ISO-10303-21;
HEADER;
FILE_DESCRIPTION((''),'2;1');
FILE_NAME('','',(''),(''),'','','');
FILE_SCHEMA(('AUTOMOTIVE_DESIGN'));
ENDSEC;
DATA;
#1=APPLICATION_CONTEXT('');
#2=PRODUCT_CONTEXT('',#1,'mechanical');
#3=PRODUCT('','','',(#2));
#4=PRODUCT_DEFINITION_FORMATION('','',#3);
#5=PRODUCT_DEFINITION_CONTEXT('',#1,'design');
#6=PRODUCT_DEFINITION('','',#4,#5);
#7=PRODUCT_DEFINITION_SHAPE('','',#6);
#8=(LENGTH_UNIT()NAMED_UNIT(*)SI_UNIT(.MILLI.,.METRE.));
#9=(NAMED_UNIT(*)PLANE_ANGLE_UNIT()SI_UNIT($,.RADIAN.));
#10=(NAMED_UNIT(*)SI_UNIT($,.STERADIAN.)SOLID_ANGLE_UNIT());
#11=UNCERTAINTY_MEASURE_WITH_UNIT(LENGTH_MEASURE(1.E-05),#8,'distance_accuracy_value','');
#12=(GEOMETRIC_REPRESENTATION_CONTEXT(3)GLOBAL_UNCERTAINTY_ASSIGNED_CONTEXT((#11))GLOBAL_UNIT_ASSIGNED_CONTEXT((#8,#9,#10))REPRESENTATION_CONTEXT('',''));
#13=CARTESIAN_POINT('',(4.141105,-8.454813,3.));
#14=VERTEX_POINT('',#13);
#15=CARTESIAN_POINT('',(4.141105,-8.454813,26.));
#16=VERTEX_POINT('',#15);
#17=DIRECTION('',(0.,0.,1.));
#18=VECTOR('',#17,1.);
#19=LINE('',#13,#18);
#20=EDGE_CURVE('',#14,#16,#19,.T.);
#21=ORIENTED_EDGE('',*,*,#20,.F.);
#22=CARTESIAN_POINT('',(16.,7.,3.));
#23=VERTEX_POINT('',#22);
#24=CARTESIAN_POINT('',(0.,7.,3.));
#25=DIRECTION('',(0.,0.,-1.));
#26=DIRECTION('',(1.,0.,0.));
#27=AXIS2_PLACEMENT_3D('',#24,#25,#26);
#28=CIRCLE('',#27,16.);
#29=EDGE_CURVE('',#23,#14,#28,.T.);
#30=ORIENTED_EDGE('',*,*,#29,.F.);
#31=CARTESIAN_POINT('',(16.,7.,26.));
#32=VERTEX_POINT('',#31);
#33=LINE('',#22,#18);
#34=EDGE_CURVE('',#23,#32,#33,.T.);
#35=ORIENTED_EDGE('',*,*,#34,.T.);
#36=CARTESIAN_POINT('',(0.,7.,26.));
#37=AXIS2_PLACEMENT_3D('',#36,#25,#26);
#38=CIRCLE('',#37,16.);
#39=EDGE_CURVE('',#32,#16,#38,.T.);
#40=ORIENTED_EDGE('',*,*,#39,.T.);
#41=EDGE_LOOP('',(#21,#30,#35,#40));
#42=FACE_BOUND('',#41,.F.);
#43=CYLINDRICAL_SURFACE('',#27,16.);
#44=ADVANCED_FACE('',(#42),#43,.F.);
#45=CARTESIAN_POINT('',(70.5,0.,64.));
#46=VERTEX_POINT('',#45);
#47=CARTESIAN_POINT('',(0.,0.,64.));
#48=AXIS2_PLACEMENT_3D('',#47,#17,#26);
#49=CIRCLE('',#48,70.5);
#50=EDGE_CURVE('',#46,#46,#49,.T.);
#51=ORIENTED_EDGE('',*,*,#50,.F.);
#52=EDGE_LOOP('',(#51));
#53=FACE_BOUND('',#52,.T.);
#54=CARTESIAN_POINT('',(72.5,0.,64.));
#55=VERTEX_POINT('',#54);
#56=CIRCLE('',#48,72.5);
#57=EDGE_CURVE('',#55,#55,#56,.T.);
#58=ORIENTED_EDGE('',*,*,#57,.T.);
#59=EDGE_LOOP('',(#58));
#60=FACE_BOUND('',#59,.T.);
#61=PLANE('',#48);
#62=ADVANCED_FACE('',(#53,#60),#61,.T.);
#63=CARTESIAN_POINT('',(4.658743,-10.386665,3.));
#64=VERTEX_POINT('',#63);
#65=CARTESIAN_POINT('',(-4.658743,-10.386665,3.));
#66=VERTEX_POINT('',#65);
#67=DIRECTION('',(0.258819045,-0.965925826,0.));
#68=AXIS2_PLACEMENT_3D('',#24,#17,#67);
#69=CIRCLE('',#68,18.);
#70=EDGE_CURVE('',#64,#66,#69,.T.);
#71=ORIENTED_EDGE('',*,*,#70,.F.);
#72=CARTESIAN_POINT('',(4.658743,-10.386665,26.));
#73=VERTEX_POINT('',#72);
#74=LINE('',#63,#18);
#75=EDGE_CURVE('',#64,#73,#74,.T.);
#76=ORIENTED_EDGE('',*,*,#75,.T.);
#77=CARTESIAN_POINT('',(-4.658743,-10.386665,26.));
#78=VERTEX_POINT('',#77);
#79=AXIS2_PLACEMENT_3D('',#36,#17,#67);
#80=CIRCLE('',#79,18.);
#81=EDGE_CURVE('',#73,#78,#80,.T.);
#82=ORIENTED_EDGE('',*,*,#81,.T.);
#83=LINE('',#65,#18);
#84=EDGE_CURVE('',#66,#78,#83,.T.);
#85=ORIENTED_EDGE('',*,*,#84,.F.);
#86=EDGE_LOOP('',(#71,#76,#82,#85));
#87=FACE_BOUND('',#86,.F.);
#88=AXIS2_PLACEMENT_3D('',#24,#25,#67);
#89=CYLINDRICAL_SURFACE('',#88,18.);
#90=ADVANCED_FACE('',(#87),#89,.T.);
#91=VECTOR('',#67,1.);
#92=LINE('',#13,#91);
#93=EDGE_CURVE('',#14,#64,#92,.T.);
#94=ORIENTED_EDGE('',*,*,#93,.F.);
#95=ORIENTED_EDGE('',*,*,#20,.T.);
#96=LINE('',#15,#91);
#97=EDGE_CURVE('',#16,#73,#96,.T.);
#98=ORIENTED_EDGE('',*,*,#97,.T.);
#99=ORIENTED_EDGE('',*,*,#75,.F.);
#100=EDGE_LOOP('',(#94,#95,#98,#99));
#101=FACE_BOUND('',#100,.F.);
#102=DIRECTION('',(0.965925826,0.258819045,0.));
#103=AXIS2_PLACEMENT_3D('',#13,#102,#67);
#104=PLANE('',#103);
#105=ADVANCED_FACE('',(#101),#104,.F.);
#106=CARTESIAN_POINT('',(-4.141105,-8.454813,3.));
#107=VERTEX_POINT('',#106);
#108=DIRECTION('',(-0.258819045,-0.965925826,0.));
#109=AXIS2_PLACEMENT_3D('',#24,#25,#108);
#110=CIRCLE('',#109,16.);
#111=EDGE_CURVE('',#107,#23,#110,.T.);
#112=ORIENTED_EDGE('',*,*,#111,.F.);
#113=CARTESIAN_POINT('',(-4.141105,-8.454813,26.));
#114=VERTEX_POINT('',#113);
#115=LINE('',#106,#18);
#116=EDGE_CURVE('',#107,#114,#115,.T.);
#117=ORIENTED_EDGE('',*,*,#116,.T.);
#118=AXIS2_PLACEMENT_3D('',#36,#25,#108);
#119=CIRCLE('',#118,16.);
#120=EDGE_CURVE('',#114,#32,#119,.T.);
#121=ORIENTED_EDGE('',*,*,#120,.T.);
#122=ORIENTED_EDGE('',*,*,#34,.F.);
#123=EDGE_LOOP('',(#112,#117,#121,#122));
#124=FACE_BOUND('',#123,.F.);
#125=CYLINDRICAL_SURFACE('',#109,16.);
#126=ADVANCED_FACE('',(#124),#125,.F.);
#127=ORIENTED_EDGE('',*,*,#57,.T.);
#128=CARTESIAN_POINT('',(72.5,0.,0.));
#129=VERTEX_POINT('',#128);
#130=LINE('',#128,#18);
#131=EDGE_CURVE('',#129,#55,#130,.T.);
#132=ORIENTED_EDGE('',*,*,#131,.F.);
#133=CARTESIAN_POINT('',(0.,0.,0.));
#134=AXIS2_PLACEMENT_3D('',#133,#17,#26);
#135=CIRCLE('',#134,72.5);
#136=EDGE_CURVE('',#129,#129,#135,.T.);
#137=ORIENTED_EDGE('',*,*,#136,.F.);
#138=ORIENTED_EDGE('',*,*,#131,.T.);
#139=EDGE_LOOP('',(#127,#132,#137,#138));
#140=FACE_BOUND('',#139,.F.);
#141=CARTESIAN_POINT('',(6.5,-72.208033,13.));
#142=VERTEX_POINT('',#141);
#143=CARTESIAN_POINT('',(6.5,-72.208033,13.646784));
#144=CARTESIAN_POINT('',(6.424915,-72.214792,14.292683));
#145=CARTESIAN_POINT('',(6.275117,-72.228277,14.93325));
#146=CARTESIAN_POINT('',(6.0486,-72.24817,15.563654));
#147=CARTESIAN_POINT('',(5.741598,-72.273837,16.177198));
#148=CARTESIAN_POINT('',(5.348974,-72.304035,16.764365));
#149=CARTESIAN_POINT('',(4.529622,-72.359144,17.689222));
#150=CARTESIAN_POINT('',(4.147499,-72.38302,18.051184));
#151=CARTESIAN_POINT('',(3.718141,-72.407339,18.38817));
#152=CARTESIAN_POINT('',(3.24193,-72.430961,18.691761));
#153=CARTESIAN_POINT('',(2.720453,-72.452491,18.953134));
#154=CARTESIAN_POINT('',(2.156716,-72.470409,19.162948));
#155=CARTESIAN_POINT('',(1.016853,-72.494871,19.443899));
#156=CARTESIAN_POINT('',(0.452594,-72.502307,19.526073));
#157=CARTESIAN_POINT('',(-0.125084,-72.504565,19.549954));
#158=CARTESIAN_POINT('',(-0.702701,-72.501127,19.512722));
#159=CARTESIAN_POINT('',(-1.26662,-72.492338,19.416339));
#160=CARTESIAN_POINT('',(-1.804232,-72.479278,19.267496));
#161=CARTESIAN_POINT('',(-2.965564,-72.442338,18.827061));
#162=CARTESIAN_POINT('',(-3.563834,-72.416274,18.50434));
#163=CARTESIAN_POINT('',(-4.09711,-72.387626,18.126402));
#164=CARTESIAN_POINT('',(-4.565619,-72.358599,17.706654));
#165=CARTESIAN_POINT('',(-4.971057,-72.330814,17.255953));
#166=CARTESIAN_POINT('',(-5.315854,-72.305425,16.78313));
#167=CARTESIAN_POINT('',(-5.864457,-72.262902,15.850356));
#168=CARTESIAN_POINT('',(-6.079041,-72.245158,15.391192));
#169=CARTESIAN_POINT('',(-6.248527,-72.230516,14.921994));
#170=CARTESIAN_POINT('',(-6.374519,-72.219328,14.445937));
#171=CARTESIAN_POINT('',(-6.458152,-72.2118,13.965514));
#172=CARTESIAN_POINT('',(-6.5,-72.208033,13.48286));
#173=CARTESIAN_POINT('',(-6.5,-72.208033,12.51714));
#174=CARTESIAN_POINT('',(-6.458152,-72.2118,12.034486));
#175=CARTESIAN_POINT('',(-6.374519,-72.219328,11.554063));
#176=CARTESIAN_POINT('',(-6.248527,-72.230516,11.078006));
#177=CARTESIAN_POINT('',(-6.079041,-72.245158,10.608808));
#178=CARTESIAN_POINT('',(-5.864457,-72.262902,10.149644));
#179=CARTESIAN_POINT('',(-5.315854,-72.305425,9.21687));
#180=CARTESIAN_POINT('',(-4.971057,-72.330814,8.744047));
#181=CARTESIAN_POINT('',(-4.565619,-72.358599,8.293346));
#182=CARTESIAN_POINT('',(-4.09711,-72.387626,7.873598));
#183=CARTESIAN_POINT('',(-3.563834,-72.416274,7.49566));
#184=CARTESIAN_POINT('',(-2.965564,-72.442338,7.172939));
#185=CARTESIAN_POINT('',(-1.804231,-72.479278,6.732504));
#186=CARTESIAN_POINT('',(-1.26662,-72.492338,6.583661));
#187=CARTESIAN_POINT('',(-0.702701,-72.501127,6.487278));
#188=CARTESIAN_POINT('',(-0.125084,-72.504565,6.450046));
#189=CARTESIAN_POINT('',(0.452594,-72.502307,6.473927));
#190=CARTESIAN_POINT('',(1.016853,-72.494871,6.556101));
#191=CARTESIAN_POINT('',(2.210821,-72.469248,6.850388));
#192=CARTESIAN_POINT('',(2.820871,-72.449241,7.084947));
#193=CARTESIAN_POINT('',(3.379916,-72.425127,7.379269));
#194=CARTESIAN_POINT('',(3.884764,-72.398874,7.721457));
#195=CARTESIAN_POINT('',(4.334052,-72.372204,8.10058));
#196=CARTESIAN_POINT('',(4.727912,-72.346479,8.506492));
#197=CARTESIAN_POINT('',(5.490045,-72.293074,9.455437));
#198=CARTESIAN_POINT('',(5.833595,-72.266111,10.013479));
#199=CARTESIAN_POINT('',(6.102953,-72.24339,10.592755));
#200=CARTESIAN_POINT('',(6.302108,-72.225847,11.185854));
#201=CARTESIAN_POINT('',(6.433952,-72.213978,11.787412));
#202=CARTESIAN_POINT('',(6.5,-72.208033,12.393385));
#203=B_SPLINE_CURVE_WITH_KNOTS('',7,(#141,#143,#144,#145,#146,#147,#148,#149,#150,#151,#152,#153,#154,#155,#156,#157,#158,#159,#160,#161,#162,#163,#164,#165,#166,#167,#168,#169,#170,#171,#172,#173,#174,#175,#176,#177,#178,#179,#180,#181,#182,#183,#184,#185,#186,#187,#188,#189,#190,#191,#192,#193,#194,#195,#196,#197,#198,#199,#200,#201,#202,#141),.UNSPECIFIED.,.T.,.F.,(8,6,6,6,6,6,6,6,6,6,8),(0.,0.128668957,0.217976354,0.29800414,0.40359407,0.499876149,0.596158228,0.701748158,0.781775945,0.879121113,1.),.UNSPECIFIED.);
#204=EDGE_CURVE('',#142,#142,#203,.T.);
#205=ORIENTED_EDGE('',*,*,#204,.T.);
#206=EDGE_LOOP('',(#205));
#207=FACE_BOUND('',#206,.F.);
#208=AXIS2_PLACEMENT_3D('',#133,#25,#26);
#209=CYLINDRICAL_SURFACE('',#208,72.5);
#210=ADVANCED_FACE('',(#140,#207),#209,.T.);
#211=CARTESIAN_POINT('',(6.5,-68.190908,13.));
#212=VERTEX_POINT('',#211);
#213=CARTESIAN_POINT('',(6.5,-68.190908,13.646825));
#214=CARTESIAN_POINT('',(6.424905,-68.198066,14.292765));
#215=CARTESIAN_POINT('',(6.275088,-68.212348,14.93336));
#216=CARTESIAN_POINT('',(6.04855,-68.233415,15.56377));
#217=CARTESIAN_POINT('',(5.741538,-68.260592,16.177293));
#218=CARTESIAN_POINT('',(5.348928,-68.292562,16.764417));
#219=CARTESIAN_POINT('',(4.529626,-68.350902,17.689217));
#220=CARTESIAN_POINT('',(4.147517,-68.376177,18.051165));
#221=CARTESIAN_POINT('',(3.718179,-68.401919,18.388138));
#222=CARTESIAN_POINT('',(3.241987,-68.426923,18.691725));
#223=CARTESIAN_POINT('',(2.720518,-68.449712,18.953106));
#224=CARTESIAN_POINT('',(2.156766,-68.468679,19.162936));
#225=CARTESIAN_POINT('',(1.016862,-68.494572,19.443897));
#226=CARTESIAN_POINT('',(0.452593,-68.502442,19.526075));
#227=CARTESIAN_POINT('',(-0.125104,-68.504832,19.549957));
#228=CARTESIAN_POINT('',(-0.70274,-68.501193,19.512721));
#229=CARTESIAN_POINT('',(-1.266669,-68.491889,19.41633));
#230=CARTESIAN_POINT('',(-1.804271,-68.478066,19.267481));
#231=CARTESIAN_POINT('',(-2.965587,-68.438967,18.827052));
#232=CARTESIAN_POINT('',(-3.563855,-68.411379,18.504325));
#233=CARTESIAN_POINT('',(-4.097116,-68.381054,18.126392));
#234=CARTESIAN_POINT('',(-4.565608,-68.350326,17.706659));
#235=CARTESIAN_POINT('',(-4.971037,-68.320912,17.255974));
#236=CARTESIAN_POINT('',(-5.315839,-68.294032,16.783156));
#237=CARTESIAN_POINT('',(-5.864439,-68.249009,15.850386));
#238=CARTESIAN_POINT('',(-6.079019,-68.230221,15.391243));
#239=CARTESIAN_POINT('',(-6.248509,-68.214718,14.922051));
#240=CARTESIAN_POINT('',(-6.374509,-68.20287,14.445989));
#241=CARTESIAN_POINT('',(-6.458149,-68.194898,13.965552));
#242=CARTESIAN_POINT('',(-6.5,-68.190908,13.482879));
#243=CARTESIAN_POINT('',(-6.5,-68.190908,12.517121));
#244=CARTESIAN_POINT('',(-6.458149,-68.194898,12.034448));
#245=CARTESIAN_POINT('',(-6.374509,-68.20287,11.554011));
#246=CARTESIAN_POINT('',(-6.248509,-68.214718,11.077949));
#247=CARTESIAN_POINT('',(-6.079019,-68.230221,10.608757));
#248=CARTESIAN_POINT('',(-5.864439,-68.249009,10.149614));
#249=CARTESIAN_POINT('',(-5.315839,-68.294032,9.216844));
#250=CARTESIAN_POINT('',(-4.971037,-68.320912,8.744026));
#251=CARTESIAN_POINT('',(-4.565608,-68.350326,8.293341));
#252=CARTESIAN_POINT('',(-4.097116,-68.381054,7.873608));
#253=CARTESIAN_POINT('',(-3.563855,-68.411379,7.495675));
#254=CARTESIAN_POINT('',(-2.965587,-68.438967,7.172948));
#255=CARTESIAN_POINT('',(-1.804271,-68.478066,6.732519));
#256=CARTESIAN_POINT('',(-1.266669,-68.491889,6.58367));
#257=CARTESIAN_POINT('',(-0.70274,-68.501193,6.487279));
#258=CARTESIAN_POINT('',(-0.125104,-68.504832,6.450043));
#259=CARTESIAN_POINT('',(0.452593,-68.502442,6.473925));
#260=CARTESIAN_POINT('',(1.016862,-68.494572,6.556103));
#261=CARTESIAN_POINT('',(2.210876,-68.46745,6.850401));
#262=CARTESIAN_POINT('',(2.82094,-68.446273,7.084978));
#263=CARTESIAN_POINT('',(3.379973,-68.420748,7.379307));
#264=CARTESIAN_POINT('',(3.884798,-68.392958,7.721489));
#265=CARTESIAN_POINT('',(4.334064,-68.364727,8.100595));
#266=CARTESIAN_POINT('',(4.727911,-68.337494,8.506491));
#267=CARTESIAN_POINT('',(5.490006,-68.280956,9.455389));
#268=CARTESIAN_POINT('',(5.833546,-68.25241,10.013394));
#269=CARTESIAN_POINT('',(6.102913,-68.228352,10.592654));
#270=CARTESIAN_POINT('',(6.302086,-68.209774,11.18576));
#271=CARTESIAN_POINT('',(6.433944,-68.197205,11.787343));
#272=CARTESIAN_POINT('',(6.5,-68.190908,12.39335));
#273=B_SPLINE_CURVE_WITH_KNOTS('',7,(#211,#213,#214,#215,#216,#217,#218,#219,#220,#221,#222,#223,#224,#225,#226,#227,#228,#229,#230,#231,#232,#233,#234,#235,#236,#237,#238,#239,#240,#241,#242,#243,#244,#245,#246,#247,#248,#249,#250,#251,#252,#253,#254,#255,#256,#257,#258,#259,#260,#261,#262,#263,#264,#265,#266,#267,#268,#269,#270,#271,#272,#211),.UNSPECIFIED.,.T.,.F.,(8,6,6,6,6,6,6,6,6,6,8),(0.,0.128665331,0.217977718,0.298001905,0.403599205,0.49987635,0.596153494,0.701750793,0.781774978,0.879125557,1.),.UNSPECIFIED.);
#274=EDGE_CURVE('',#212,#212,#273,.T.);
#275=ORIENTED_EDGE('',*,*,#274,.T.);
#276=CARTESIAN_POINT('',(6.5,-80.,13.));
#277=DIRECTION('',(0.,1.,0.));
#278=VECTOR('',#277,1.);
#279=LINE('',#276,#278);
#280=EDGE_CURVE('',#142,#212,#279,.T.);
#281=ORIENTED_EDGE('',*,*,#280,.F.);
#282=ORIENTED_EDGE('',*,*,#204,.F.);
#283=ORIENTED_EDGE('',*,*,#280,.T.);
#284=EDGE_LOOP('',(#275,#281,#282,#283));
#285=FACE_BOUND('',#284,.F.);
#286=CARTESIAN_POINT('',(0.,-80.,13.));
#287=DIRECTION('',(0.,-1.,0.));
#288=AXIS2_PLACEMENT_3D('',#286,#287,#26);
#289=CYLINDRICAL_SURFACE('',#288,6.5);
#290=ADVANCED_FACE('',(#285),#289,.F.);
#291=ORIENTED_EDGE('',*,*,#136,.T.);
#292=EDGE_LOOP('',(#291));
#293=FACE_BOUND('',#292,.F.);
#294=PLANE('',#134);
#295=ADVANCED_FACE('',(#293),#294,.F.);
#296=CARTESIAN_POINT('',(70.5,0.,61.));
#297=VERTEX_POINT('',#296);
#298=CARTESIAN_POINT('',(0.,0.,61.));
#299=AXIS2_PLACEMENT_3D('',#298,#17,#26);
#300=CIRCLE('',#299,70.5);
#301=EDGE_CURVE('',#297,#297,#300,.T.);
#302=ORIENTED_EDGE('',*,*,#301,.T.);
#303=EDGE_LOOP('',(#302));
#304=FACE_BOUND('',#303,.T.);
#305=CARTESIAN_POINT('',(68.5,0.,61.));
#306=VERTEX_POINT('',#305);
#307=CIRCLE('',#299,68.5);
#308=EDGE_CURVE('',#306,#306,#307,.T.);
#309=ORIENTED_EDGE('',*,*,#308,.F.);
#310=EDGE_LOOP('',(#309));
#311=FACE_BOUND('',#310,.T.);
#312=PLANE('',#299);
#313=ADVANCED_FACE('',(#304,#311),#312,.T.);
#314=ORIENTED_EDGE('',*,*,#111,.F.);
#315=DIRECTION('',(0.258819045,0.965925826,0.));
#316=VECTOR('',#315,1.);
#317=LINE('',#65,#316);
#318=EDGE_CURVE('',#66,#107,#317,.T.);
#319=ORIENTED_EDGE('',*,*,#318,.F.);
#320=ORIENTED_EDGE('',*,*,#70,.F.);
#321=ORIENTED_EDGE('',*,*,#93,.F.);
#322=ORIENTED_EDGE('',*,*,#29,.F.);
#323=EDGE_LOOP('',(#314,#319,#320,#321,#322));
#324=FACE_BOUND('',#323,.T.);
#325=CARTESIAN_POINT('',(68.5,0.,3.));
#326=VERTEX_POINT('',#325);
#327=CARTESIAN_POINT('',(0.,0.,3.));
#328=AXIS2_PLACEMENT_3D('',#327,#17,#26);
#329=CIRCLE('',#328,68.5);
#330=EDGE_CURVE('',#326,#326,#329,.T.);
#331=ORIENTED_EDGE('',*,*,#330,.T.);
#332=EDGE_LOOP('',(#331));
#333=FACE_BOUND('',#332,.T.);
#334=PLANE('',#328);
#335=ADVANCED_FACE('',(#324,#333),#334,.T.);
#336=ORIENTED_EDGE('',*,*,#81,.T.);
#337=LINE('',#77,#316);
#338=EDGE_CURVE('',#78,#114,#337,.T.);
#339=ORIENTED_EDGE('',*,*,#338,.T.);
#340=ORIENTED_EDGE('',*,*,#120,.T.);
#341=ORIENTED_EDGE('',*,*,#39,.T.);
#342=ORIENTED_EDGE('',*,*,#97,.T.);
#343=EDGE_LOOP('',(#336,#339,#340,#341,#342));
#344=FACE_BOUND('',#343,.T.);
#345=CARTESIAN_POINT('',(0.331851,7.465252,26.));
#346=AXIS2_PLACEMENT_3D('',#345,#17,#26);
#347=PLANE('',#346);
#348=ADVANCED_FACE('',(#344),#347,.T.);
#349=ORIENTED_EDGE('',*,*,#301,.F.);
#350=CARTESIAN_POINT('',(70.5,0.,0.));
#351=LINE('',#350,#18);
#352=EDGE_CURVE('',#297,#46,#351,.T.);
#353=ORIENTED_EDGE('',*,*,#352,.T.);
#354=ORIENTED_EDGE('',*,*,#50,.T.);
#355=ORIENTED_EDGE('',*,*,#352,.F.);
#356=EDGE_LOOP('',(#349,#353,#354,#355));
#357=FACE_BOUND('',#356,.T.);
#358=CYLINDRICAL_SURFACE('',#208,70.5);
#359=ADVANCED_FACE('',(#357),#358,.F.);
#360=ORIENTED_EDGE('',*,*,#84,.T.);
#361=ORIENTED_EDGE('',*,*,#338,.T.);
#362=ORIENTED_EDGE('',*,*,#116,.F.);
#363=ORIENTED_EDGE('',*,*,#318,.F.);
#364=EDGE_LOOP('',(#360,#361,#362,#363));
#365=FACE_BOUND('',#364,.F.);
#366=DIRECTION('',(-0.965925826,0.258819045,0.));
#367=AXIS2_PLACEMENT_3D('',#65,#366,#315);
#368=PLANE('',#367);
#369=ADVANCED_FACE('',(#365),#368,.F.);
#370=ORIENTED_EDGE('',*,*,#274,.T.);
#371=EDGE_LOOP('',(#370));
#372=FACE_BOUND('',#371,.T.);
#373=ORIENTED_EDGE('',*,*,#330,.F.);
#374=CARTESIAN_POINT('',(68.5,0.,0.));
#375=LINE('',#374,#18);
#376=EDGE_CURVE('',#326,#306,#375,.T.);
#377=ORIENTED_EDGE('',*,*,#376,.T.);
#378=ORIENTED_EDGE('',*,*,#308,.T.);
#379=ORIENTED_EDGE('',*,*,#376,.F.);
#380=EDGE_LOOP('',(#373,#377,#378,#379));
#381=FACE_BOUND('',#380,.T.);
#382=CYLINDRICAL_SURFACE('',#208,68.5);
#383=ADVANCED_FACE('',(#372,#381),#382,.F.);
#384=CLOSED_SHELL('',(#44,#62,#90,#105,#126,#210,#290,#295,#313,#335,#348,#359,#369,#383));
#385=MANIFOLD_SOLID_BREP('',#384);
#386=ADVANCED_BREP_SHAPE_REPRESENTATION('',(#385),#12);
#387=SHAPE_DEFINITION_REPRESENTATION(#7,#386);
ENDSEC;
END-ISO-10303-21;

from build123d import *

# Parameters (mm, degrees)
F0_R     = 72.5
F0_R_2   = 70.5
F1_DEPTH = 64
F0_R_3   = 68.5
F2_DEPTH = 61
F3_DEPTH = 3
F5_DEPTH = 23
F7_R     = 6.5
F8_DEPTH = 25


with BuildPart() as f1:
    # F0 (on Top) → F1 (new body)
    with BuildSketch(Plane.XY):
        Circle(F0_R)
        Circle(F0_R_2, mode=Mode.SUBTRACT)
    extrude(amount=F1_DEPTH)

    # F0 (on Top) → F2 (join)
    with BuildSketch(Plane.XY):
        Circle(F0_R_2)
        Circle(F0_R_3, mode=Mode.SUBTRACT)
    extrude(amount=F2_DEPTH)

    # F0 (on Top) → F3 (join)
    with BuildSketch(Plane.XY):
        Circle(F0_R_3)
    extrude(amount=F3_DEPTH)

    # F4 (on face) → F5 (join)
    with BuildSketch(Plane.XY.offset(3)):
        with BuildLine():
            ThreePointArc((-4.1411047216, -8.4548132206), (-9.7401828641, 19.6936534447), (16, 7))
            ThreePointArc((16, 7), (12.6936534447, -2.7401828641), (4.1411047216, -8.4548132206))
            Line((4.1411047216, -8.4548132206), (4.6587428118, -10.3866648732))
            ThreePointArc((4.6587428118, -10.3866648732), (14.2803601252, -3.9577057222), (18, 7))
            ThreePointArc((18, 7), (-10.9577057222, 21.2803601252), (-4.6587428118, -10.3866648732))
            Line((-4.6587428118, -10.3866648732), (-4.1411047216, -8.4548132206))
        make_face()
    extrude(amount=F5_DEPTH)

    # F7 (on offset) → F8 (cut)
    with BuildSketch(Plane.XZ.offset(80)):
        with Locations((0, 13)):
            Circle(F7_R)
    extrude(amount=-F8_DEPTH, mode=Mode.SUBTRACT)


solid = f1.part
